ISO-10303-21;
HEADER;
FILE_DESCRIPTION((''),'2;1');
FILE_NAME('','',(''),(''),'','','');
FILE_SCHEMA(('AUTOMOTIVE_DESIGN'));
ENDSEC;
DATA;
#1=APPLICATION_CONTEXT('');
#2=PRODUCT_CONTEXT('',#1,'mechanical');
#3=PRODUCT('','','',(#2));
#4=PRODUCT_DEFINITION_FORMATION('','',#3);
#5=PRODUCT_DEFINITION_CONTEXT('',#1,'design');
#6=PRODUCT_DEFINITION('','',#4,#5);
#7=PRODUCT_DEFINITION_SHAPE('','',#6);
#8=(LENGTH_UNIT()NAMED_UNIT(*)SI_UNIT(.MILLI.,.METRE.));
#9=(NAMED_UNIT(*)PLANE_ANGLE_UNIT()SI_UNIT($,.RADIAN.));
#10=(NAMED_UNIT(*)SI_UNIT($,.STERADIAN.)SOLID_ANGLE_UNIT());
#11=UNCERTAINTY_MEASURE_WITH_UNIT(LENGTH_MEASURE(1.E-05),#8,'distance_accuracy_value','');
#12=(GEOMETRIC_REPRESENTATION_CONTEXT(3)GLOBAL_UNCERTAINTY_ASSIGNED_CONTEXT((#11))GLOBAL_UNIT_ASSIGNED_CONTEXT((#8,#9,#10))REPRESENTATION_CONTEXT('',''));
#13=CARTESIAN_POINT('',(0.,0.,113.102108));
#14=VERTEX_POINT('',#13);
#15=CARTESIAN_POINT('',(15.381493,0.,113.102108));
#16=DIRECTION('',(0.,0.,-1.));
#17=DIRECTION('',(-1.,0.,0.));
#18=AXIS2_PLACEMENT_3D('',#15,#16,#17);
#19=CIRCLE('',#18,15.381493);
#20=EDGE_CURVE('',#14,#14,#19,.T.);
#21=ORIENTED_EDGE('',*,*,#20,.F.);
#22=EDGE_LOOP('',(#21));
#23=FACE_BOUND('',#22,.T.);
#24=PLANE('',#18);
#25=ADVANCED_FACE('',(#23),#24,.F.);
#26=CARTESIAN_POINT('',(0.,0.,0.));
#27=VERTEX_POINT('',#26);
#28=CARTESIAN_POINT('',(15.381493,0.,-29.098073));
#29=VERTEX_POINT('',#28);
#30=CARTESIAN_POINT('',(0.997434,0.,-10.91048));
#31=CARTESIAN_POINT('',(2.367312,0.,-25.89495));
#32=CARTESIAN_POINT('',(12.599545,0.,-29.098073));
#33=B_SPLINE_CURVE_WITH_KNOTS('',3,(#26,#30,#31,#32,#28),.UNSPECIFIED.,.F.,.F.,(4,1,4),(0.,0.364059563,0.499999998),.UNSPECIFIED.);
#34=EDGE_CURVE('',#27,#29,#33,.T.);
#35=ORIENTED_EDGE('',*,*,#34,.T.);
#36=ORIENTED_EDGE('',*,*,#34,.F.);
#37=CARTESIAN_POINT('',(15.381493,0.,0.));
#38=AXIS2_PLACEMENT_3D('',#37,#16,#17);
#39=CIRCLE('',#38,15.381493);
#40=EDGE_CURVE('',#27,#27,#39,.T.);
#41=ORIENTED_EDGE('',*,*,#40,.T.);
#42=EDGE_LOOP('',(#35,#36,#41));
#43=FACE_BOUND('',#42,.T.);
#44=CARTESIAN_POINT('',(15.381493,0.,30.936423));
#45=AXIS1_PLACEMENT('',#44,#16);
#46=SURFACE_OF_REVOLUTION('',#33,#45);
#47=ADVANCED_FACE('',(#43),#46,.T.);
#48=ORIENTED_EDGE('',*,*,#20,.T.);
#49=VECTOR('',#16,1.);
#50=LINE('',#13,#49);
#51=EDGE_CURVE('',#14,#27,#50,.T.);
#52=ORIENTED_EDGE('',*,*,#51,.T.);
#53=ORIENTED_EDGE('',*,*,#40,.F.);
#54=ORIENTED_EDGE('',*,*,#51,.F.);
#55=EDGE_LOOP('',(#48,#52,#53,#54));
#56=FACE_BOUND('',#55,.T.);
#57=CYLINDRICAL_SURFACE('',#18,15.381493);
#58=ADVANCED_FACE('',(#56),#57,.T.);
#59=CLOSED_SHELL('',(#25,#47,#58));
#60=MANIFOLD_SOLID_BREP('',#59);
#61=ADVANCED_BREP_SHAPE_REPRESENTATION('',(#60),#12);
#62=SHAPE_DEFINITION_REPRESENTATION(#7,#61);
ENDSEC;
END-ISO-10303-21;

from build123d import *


with BuildPart() as f1:
    # F0 (on Front) → F1 (revolve)
    with BuildSketch(Plane.XZ):
        Polygon((0, 90.9709185362), (0, 0), (15.3814926744, 0), (15.3814926744, 90.9709185362), (15.3814926744, 113.1021082401), (0, 113.1021082401), align=None)
        with BuildLine():
            Line((15.3814926744, 0), (0, 0))
            add(Edge.make_bspline(
                [(0, 0), (0.9974337154, -10.9104800073), (2.367312483, -25.8949496383), (12.5995445321, -29.0980728541), (15.3814926744, -29.0980729019)],
                knots=[0, 0, 0, 0, 0.3640595631, 0.4999999985, 0.4999999985, 0.4999999985, 0.4999999985], degree=3))
            Line((15.3814926744, -29.0980729019), (15.3814926744, 0))
        make_face()
    revolve(axis=Axis((15.3814926744, 0, 30.9364228171), (0, 0, -1)))


solid = f1.part
